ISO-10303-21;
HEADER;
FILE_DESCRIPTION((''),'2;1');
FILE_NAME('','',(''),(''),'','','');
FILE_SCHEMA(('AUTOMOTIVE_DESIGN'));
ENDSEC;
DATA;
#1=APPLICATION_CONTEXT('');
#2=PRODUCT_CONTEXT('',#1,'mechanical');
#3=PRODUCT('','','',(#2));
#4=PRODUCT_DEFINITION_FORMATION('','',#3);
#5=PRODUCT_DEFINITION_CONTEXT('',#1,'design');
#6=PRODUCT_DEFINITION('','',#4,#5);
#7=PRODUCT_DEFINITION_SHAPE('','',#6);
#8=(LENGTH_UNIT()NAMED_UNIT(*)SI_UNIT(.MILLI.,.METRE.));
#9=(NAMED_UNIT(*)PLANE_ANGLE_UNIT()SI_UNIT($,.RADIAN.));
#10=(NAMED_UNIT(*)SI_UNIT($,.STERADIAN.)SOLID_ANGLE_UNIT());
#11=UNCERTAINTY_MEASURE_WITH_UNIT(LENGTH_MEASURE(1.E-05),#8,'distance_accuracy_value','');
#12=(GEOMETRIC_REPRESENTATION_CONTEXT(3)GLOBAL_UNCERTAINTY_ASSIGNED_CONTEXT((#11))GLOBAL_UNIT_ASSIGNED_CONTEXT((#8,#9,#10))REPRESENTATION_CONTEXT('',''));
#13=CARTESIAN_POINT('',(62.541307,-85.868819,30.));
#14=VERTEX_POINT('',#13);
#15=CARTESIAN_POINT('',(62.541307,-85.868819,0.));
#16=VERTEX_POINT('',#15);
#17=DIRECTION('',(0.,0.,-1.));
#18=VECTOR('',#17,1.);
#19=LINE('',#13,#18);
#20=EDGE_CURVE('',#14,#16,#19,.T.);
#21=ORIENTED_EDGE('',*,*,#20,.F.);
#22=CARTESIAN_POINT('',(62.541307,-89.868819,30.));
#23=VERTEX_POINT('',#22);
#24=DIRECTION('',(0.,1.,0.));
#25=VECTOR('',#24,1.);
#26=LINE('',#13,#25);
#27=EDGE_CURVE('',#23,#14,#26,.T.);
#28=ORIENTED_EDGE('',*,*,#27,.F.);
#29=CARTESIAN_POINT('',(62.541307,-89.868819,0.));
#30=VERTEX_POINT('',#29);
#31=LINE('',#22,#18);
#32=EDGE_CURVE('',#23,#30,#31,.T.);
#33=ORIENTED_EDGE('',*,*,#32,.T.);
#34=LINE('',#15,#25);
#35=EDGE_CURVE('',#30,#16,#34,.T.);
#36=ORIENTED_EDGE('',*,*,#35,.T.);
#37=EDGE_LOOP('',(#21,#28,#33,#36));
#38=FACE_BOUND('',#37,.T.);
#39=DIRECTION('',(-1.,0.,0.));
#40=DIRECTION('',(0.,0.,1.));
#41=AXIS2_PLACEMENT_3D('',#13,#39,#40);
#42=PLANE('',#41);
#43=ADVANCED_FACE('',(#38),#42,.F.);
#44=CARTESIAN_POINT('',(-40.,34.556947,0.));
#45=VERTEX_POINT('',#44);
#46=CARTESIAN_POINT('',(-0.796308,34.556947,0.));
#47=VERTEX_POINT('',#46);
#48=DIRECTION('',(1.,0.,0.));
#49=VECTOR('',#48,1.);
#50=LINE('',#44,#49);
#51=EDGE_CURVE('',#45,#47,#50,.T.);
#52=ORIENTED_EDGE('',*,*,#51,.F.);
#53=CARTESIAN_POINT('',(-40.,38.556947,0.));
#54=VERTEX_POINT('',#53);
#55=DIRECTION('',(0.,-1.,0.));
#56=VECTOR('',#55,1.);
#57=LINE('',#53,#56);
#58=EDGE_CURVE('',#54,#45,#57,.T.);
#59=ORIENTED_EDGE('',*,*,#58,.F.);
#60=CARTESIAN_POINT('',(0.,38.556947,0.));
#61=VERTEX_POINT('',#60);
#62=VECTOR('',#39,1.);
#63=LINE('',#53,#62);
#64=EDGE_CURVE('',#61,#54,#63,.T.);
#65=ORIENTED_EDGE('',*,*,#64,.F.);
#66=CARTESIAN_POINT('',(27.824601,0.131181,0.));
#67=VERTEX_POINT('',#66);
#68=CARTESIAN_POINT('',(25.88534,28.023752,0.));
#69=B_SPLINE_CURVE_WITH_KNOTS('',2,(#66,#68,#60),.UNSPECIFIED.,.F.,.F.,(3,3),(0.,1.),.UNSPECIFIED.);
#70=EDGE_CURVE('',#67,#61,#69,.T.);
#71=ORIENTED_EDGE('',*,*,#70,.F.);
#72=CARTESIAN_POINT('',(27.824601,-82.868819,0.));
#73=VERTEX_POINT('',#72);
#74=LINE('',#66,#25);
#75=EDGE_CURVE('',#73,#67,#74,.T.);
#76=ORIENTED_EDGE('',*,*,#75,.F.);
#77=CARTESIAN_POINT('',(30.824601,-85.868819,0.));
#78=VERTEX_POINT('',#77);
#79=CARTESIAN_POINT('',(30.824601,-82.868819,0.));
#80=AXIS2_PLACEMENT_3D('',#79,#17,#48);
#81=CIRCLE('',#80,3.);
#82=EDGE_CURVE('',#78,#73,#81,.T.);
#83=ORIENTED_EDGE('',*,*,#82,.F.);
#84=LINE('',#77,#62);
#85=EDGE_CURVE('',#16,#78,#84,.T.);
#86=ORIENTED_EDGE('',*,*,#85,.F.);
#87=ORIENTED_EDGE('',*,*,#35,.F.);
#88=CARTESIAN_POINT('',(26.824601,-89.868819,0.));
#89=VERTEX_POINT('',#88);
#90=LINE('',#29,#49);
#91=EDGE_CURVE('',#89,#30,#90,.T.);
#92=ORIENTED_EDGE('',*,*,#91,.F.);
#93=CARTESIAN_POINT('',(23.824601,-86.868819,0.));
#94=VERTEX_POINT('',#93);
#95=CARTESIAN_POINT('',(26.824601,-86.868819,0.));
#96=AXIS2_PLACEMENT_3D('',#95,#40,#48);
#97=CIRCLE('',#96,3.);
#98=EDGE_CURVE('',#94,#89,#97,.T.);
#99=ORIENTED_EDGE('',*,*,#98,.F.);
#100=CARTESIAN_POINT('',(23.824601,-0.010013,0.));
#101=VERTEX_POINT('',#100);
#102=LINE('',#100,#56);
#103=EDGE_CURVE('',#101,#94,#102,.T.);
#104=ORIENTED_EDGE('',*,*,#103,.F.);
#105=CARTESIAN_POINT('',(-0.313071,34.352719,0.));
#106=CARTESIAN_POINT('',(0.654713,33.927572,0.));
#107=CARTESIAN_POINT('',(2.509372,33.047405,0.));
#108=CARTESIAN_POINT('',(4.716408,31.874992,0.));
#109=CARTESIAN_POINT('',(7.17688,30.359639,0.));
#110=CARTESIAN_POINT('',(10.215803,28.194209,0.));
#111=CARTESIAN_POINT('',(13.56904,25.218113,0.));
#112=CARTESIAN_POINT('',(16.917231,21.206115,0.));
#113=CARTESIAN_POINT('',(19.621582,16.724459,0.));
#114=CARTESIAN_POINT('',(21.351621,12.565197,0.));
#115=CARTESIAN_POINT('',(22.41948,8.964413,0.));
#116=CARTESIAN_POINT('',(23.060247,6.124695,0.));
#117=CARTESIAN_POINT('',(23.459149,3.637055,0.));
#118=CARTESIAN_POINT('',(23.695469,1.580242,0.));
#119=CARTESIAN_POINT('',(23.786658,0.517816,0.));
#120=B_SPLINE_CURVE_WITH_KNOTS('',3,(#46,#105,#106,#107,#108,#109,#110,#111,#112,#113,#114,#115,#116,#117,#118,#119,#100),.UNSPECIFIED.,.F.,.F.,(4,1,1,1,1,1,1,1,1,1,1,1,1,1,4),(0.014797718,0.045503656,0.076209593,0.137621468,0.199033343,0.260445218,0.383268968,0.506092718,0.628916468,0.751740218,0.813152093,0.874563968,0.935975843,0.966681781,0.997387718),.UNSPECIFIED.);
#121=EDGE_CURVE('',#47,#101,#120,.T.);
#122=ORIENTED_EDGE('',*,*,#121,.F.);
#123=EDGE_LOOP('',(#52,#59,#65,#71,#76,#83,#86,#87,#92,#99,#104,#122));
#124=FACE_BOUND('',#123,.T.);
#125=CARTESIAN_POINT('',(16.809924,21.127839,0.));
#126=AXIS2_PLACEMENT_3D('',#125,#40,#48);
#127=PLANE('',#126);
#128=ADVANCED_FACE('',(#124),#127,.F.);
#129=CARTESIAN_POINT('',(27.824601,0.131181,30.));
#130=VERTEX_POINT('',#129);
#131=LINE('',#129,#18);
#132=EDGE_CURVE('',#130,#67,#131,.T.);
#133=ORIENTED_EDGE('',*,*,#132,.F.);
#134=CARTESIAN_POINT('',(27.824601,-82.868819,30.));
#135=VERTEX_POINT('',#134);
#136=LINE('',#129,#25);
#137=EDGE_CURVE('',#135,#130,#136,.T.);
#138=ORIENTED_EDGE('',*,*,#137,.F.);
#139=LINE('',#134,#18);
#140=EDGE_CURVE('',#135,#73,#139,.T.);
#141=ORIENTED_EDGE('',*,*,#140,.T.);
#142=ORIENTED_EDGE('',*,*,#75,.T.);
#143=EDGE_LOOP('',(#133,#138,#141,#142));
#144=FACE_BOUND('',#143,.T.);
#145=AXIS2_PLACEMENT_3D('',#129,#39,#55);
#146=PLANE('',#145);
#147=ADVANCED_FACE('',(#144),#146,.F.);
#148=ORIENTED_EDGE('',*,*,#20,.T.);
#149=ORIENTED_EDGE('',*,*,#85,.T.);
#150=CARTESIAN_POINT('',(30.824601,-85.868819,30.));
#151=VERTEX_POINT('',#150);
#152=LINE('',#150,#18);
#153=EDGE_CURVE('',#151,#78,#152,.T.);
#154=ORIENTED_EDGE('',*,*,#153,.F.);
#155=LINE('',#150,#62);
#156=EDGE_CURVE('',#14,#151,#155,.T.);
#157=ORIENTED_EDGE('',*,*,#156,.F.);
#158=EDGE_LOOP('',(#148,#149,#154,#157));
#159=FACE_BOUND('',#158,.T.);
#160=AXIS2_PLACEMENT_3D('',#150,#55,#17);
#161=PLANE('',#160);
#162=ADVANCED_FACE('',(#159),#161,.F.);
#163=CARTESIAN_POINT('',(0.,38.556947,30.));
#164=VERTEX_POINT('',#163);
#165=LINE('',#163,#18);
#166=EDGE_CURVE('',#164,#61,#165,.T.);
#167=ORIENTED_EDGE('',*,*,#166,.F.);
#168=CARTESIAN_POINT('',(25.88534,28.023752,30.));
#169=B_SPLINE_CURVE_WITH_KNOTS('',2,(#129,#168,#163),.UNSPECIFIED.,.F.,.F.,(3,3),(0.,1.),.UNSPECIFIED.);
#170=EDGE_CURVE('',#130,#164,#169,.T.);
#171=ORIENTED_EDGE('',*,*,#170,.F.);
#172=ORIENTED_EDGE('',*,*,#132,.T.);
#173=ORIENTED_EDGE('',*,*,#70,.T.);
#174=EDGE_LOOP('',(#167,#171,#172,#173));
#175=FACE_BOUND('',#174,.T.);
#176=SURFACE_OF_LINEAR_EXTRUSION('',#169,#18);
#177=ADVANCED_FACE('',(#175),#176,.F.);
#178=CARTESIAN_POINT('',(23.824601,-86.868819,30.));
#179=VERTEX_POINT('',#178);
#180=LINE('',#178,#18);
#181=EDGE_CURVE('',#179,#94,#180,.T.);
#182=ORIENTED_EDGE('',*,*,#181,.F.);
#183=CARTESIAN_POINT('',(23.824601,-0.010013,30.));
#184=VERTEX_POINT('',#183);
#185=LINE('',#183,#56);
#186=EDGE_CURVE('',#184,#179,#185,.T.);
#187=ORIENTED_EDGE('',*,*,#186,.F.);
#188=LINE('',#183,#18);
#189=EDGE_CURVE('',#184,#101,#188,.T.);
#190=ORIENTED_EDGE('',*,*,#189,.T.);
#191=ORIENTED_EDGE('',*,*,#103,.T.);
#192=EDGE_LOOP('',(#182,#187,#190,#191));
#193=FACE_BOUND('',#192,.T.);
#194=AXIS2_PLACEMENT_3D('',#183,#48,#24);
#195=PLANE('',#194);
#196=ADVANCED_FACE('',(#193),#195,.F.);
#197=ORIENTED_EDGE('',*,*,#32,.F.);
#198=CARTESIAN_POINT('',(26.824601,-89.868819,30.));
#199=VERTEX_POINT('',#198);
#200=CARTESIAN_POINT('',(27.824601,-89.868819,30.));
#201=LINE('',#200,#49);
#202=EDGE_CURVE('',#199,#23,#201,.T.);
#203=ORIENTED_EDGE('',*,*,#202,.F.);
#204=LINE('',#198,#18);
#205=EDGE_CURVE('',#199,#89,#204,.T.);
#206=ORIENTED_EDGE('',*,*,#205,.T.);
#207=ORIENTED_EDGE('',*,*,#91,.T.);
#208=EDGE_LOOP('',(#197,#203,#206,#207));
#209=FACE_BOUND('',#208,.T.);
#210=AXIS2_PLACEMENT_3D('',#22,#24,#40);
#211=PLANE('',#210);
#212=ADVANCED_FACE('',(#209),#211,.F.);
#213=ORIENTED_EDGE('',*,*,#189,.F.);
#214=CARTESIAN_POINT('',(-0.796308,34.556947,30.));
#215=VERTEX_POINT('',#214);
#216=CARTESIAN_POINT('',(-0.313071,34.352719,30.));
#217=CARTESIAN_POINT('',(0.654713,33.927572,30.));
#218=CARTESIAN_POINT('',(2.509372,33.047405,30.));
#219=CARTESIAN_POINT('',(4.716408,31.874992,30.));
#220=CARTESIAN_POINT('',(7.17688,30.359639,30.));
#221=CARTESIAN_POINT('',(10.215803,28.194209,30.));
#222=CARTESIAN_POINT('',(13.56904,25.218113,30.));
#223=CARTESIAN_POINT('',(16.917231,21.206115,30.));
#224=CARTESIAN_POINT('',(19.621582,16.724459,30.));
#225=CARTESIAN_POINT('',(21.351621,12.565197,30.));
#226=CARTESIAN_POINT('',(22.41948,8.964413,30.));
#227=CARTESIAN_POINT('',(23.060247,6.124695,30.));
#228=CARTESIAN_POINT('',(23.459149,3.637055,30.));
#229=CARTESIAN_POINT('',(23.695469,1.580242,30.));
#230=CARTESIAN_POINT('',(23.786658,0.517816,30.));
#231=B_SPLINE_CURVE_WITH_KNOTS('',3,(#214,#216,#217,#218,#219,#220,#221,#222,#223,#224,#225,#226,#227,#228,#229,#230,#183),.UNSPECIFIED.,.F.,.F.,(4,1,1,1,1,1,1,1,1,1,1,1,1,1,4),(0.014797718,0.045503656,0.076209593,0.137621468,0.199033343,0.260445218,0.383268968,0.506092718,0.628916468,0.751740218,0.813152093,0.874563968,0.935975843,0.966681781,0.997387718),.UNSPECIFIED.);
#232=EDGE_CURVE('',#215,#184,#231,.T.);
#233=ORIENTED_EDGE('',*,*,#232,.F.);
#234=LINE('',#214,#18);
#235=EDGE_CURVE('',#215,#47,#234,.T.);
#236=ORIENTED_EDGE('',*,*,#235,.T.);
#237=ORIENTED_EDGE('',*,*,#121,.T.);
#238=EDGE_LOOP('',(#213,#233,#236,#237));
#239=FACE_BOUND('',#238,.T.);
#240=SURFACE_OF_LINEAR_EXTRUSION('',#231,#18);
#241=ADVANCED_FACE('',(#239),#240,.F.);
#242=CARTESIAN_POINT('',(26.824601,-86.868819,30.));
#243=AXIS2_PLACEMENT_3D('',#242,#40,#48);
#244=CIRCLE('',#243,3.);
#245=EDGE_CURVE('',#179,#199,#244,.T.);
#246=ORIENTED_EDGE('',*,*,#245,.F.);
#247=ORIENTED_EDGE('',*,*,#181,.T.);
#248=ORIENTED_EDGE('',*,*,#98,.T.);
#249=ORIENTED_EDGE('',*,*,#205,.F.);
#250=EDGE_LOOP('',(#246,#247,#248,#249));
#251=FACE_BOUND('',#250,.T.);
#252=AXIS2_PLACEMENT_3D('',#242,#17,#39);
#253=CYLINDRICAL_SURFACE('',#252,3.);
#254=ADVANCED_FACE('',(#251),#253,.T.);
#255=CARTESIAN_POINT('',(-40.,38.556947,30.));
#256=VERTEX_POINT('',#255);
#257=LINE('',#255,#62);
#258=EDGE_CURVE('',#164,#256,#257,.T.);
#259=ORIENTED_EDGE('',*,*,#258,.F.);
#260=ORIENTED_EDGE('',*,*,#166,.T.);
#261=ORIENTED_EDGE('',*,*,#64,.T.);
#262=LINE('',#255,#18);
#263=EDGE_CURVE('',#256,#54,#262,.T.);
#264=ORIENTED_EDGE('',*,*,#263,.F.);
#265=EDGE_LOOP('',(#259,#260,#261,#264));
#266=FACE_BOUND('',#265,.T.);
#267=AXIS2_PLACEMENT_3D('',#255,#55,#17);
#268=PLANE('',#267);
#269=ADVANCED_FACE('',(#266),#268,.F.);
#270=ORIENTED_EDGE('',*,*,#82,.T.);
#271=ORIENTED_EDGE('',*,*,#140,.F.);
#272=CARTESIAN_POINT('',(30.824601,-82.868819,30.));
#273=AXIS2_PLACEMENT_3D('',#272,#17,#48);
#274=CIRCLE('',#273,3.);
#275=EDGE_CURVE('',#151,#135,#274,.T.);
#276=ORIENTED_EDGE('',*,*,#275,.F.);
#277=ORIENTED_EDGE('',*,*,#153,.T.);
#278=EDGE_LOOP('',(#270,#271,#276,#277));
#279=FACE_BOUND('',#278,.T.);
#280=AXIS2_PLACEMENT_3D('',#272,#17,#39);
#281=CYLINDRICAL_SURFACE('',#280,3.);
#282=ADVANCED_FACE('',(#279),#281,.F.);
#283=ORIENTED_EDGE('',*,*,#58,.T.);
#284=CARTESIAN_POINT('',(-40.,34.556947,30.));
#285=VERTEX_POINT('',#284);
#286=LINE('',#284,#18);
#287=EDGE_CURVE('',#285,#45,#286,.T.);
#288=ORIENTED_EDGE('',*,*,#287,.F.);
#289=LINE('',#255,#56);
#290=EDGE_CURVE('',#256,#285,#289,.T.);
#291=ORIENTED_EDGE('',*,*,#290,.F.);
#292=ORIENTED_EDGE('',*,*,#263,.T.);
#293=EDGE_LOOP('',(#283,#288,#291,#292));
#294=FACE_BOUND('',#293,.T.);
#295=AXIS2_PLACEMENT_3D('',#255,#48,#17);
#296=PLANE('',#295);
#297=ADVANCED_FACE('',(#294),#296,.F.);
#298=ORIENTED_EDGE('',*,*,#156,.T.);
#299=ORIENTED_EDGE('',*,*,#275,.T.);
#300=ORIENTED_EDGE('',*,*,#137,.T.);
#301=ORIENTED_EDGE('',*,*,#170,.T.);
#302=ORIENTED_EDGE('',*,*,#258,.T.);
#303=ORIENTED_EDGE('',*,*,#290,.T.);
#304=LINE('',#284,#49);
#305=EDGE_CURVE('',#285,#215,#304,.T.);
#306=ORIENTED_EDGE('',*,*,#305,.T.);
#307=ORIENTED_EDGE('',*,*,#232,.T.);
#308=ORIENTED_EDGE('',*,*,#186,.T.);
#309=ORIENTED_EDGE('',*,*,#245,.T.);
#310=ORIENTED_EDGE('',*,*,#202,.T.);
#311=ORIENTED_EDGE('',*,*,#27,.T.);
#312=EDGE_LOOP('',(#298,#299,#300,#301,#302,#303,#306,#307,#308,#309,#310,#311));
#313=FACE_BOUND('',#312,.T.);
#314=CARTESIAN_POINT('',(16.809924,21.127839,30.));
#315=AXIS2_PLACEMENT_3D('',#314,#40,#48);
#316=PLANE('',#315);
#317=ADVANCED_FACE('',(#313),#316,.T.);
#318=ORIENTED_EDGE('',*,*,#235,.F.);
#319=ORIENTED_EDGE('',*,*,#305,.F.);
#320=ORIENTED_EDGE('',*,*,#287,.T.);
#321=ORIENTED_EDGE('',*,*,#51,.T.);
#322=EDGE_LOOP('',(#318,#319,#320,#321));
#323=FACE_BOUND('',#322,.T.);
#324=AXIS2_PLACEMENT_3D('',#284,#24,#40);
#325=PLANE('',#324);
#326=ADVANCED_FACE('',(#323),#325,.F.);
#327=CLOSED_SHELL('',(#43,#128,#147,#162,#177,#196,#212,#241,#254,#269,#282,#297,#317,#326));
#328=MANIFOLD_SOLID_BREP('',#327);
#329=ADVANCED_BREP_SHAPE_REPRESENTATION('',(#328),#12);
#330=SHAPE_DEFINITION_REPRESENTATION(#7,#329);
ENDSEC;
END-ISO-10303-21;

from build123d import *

# Parameters (mm, degrees)
BOSS_EXTRUDE1_DEPTH = 30


with BuildPart() as part:
    # Sketch1 → Boss-Extrude1 (new body)
    with BuildSketch(Plane.XY):
        with BuildLine():
            Line((-40, 38.556946986), (0, 38.556946986))
            add(Edge.make_bspline(
                [(0, 38.556946986), (25.885340012, 28.023752492), (27.824600918, 0.131180898)],
                knots=[0, 0, 0, 1, 1, 1], degree=2))
            Line((27.824600918, 0.131180898), (27.824600918, -82.868819102))
            ThreePointArc((27.824600918, -82.868819102), (28.703280574, -84.990139445), (30.824600918, -85.868819102))
            Line((30.824600918, -85.868819102), (62.541306618, -85.868819102))
            Line((62.541306618, -85.868819102), (62.541306618, -89.868819102))
            Line((62.541306618, -89.868819102), (27.824600918, -89.868819102))
            Line((27.824600918, -89.868819102), (26.824600918, -89.868819102))
            ThreePointArc((26.824600918, -89.868819102), (24.703280574, -88.990139445), (23.824600918, -86.868819102))
            Line((23.824600918, -86.868819102), (23.824600918, -0.01001344))
            add(Edge.make_bspline(
                [(-0.796307781, 34.556946986), (-0.313071462, 34.352718519), (0.65471267, 33.927572325), (2.509371581, 33.047404589), (4.716407797, 31.874992229), (7.176880305, 30.35963937), (10.215802607, 28.194209311), (13.569039872, 25.21811291), (16.917231379, 21.206114841), (19.621581596, 16.724458997), (21.351620726, 12.565197335), (22.419479521, 8.964412879), (23.060246931, 6.124694742), (23.459149076, 3.637055451), (23.695469018, 1.580241662), (23.786657543, 0.517816431), (23.824600918, -0.01001344)],
                knots=[0.014797718, 0.014797718, 0.014797718, 0.014797718, 0.045503656, 0.076209593, 0.137621468, 0.199033343, 0.260445218, 0.383268968, 0.506092718, 0.628916468, 0.751740218, 0.813152093, 0.874563968, 0.935975843, 0.966681781, 0.997387718, 0.997387718, 0.997387718, 0.997387718], degree=3))
            Line((-0.796307781, 34.556946986), (-40, 34.556946986))
            Line((-40, 34.556946986), (-40, 38.556946986))
        make_face()
    extrude(amount=BOSS_EXTRUDE1_DEPTH)


solid = part.part
